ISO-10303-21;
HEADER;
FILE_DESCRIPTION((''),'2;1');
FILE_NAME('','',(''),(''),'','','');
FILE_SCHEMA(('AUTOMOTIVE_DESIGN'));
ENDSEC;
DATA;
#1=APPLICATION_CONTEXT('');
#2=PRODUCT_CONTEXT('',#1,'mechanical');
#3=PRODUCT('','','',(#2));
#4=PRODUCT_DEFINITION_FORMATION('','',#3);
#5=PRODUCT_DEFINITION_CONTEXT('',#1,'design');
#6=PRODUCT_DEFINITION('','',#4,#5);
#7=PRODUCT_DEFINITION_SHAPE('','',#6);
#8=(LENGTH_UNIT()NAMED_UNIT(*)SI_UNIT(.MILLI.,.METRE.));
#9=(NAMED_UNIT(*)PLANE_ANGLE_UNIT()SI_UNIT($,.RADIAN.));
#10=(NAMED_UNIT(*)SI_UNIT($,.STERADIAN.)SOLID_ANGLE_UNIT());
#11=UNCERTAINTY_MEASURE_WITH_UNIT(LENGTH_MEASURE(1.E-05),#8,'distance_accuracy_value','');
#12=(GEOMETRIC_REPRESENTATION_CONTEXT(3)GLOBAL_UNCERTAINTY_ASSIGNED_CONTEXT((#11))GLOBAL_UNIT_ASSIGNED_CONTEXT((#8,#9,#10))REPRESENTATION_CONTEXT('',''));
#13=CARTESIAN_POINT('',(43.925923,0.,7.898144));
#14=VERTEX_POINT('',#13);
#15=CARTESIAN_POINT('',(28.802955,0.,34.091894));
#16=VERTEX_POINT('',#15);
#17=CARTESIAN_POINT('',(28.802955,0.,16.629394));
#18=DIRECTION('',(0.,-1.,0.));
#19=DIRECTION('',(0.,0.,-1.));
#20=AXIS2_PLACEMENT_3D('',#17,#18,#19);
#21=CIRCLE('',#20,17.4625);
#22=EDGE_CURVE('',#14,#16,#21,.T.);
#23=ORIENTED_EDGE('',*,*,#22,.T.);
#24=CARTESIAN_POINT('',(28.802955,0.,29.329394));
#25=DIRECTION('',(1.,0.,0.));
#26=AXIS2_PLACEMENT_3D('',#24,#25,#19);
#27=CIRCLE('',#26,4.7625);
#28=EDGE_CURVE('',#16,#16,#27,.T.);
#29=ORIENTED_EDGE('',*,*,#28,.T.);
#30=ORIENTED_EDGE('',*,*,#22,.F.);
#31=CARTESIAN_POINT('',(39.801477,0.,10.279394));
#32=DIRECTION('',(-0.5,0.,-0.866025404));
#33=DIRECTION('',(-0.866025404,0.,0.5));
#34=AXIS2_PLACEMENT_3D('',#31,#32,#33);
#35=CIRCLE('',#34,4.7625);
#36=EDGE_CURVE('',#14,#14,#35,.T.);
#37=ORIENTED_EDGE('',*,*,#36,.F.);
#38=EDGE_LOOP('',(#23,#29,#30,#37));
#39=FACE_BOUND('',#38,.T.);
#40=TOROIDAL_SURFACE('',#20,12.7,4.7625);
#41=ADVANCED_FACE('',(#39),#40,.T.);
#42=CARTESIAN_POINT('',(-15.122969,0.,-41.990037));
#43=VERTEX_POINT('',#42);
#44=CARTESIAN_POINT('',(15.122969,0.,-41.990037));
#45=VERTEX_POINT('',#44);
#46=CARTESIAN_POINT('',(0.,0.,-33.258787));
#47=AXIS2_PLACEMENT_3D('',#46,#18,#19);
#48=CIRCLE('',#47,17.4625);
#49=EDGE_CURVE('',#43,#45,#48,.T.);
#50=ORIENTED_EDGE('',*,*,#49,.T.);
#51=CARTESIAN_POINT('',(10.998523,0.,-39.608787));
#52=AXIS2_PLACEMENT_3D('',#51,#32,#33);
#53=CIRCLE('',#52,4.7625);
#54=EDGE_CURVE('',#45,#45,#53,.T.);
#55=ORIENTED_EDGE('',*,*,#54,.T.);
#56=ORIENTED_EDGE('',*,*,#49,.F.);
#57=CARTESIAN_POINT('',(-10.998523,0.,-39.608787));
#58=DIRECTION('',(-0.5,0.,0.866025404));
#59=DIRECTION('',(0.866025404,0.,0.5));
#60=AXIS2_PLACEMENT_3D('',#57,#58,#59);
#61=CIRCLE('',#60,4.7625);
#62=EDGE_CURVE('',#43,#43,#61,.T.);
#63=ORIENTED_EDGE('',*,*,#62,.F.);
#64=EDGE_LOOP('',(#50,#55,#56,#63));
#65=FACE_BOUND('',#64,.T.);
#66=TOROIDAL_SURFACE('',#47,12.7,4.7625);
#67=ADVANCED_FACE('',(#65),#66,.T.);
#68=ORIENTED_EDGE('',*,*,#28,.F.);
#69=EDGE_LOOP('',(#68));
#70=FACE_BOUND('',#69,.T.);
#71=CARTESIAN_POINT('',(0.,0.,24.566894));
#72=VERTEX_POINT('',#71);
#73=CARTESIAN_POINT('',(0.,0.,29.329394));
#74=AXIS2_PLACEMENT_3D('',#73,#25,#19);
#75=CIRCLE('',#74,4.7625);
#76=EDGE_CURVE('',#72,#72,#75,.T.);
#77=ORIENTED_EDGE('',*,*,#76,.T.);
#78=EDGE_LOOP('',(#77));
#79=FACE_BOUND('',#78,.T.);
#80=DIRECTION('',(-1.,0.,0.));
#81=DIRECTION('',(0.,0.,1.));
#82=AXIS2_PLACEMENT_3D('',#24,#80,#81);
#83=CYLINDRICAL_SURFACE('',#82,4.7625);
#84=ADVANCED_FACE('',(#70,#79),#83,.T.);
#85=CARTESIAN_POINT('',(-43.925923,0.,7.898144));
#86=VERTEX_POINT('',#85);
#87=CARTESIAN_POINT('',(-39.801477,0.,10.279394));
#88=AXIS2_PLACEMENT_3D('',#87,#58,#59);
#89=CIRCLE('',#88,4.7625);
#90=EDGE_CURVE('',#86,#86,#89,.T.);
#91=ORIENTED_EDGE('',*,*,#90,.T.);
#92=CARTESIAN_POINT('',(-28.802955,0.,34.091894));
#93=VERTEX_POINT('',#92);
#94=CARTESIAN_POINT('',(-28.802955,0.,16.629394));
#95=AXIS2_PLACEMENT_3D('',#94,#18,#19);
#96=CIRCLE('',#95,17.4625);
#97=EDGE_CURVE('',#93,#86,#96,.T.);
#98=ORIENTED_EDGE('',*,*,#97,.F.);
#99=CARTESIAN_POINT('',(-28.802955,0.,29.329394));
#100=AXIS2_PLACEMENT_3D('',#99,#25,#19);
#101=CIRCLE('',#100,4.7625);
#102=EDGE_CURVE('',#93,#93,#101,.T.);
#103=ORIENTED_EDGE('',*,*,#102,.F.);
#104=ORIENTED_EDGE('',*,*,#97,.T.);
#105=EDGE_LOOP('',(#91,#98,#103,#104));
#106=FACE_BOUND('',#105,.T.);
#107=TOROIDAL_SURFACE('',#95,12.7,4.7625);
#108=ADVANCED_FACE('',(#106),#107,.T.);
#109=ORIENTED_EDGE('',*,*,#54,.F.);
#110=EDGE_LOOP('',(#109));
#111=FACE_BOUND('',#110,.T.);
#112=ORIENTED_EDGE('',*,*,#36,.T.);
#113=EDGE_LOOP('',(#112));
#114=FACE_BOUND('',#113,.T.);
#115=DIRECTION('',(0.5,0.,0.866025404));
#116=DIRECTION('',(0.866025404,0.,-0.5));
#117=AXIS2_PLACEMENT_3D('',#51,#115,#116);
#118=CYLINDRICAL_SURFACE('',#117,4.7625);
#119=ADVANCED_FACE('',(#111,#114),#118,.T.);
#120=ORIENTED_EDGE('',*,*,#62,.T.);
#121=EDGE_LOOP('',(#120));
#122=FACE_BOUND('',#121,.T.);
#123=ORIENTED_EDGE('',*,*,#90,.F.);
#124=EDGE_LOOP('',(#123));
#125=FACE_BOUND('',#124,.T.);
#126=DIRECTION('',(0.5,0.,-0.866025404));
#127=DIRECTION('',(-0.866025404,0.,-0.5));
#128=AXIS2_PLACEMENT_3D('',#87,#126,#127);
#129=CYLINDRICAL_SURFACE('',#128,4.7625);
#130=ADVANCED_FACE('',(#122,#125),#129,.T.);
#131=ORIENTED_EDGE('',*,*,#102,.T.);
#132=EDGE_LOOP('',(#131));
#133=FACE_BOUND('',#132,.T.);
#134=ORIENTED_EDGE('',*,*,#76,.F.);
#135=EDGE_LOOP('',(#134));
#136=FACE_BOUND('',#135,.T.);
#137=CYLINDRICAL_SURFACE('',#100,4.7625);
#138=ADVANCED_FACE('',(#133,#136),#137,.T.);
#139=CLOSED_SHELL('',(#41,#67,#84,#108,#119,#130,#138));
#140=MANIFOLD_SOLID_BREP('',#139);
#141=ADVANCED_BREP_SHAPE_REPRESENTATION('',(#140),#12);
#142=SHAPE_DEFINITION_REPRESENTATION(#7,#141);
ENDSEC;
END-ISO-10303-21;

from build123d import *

# Parameters (mm, degrees)
SKETCH2_R = 4.7625


with BuildPart() as part:
    # Sweep1: sweep along a path in Sketch1
    with BuildLine(Plane(origin=(0, 0, 0), x_dir=(1, 0, 0), z_dir=(0, 1, 0))) as sweep1_path:
        Line((-10.998522628, 39.60878735), (-39.801477372, -10.279393675))
        ThreePointArc((-39.801477372, -10.279393675), (-39.801477372, -22.979393675), (-28.802954744, -29.329393675))
        Line((-28.802954744, -29.329393675), (28.802954744, -29.329393675))
        ThreePointArc((28.802954744, -29.329393675), (39.801477372, -22.979393675), (39.801477372, -10.279393675))
        Line((39.801477372, -10.279393675), (10.998522628, 39.60878735))
        ThreePointArc((10.998522628, 39.60878735), (0, 45.95878735), (-10.998522628, 39.60878735))
    # Sketch2 → Sweep1 (sweep)
    with BuildSketch(Plane(origin=(0, 0, 0), x_dir=(0, 0, -1), z_dir=(1, 0, 0))):
        with Locations((-29.329393675, 0)):
            Circle(SKETCH2_R)
    sweep(path=sweep1_path.line)


solid = part.part
